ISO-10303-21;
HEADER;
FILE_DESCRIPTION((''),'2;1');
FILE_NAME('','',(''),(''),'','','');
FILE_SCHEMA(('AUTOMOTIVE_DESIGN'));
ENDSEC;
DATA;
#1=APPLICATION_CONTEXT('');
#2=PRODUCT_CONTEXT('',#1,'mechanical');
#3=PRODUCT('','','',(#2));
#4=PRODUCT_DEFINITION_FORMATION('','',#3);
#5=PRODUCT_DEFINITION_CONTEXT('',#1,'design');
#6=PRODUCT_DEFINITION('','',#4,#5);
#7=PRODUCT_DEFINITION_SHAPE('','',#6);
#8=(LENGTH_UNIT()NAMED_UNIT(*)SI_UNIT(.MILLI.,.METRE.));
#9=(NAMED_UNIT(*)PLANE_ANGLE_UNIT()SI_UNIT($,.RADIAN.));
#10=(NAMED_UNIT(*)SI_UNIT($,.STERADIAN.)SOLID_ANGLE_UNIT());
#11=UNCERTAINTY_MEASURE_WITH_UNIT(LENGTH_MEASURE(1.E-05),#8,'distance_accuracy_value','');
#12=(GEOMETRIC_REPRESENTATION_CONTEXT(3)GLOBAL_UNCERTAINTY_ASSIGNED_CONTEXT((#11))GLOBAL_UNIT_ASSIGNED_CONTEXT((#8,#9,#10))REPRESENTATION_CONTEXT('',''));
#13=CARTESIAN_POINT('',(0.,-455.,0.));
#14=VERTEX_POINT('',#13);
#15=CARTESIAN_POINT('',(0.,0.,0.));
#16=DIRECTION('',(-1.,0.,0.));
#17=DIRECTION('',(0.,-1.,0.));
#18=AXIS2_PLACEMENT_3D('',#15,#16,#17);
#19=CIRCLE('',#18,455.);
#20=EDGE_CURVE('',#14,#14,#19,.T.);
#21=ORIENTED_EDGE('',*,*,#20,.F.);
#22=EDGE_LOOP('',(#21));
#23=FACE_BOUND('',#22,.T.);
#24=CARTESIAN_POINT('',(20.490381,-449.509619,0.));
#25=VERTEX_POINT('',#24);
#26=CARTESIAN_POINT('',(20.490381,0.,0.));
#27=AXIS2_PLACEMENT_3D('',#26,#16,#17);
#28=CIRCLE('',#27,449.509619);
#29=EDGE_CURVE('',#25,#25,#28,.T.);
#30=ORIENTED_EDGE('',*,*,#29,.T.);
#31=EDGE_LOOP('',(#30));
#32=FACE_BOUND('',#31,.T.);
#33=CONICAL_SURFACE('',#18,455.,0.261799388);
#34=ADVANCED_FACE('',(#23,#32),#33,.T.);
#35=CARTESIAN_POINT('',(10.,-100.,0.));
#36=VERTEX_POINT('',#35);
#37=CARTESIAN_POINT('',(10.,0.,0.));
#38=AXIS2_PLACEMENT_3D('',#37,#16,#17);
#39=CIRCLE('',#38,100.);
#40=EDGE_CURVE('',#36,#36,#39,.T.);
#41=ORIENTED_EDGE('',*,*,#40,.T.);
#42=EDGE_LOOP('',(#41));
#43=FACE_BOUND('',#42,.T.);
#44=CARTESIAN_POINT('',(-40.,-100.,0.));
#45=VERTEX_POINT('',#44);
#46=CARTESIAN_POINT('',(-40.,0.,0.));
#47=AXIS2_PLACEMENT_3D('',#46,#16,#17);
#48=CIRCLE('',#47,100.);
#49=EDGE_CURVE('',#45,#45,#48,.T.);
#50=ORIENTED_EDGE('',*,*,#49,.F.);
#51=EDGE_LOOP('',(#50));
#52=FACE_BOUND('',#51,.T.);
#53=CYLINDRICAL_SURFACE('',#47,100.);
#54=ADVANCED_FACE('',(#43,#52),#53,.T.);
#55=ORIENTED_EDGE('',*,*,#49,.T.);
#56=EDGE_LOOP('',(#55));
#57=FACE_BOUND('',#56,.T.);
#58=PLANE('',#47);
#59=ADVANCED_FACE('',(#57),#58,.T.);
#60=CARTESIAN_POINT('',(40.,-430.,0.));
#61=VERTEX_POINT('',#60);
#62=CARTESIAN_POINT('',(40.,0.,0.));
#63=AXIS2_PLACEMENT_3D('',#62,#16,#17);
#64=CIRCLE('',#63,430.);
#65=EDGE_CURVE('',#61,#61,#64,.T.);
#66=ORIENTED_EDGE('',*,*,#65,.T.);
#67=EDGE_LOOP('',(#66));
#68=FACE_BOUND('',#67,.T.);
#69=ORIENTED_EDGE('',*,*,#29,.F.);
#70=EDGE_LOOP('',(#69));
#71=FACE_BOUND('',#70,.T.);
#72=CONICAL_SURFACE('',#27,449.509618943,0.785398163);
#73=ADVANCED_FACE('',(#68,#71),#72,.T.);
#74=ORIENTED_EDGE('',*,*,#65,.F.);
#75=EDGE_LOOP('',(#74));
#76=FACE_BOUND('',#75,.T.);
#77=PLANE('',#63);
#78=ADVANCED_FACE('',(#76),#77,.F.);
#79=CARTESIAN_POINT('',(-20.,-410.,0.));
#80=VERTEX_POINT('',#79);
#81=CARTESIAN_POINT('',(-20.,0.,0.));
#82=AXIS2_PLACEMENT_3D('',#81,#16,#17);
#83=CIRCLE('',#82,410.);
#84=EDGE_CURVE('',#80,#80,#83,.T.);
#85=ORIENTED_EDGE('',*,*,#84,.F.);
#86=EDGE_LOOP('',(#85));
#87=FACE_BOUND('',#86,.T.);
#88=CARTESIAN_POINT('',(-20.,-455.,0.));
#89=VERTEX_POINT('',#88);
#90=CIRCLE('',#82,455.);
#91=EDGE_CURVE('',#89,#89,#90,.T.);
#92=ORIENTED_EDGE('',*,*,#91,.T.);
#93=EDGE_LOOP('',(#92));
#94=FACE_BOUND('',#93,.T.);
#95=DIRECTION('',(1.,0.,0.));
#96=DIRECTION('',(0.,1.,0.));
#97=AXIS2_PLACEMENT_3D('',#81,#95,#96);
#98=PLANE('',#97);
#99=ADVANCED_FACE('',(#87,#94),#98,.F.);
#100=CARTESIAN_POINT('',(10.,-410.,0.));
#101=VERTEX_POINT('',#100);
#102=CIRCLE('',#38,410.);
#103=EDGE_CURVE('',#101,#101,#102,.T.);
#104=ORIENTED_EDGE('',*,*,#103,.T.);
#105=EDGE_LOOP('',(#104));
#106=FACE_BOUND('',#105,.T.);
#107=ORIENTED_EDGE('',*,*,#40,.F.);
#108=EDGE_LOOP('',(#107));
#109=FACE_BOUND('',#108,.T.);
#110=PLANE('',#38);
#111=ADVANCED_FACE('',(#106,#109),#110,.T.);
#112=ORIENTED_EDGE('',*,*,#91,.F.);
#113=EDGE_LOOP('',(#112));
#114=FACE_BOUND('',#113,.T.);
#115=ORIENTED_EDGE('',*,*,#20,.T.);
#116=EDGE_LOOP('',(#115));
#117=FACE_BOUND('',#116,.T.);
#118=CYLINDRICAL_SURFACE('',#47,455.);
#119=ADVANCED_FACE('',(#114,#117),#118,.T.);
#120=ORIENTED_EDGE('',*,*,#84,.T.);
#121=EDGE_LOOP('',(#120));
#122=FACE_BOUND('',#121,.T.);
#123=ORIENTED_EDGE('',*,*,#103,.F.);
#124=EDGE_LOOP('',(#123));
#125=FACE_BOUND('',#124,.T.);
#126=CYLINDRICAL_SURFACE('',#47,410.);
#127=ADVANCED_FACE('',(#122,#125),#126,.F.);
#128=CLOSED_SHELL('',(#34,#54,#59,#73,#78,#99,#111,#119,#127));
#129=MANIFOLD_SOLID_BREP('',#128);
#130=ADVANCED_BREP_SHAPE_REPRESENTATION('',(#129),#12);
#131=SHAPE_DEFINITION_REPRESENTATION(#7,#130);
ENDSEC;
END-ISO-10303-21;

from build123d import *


with BuildPart() as part:
    # Sketch1 → Revolve1 (revolve)
    with BuildSketch(Plane.XY, mode=Mode.PRIVATE) as revolve1_sk:
        Polygon((-40, 100), (-40, 0), (40, 0), (40, 430), (20.490381057, 449.509618943), (0, 455), (-20, 455), (-20, 410), (10, 410), (10, 100), (-20, 100), align=None)
    revolve(revolve1_sk.sketch.rotate(Axis((-40, 0, 0), (1, 0, 0)), 180), axis=Axis((-40, 0, 0), (1, 0, 0)))


solid = part.part
